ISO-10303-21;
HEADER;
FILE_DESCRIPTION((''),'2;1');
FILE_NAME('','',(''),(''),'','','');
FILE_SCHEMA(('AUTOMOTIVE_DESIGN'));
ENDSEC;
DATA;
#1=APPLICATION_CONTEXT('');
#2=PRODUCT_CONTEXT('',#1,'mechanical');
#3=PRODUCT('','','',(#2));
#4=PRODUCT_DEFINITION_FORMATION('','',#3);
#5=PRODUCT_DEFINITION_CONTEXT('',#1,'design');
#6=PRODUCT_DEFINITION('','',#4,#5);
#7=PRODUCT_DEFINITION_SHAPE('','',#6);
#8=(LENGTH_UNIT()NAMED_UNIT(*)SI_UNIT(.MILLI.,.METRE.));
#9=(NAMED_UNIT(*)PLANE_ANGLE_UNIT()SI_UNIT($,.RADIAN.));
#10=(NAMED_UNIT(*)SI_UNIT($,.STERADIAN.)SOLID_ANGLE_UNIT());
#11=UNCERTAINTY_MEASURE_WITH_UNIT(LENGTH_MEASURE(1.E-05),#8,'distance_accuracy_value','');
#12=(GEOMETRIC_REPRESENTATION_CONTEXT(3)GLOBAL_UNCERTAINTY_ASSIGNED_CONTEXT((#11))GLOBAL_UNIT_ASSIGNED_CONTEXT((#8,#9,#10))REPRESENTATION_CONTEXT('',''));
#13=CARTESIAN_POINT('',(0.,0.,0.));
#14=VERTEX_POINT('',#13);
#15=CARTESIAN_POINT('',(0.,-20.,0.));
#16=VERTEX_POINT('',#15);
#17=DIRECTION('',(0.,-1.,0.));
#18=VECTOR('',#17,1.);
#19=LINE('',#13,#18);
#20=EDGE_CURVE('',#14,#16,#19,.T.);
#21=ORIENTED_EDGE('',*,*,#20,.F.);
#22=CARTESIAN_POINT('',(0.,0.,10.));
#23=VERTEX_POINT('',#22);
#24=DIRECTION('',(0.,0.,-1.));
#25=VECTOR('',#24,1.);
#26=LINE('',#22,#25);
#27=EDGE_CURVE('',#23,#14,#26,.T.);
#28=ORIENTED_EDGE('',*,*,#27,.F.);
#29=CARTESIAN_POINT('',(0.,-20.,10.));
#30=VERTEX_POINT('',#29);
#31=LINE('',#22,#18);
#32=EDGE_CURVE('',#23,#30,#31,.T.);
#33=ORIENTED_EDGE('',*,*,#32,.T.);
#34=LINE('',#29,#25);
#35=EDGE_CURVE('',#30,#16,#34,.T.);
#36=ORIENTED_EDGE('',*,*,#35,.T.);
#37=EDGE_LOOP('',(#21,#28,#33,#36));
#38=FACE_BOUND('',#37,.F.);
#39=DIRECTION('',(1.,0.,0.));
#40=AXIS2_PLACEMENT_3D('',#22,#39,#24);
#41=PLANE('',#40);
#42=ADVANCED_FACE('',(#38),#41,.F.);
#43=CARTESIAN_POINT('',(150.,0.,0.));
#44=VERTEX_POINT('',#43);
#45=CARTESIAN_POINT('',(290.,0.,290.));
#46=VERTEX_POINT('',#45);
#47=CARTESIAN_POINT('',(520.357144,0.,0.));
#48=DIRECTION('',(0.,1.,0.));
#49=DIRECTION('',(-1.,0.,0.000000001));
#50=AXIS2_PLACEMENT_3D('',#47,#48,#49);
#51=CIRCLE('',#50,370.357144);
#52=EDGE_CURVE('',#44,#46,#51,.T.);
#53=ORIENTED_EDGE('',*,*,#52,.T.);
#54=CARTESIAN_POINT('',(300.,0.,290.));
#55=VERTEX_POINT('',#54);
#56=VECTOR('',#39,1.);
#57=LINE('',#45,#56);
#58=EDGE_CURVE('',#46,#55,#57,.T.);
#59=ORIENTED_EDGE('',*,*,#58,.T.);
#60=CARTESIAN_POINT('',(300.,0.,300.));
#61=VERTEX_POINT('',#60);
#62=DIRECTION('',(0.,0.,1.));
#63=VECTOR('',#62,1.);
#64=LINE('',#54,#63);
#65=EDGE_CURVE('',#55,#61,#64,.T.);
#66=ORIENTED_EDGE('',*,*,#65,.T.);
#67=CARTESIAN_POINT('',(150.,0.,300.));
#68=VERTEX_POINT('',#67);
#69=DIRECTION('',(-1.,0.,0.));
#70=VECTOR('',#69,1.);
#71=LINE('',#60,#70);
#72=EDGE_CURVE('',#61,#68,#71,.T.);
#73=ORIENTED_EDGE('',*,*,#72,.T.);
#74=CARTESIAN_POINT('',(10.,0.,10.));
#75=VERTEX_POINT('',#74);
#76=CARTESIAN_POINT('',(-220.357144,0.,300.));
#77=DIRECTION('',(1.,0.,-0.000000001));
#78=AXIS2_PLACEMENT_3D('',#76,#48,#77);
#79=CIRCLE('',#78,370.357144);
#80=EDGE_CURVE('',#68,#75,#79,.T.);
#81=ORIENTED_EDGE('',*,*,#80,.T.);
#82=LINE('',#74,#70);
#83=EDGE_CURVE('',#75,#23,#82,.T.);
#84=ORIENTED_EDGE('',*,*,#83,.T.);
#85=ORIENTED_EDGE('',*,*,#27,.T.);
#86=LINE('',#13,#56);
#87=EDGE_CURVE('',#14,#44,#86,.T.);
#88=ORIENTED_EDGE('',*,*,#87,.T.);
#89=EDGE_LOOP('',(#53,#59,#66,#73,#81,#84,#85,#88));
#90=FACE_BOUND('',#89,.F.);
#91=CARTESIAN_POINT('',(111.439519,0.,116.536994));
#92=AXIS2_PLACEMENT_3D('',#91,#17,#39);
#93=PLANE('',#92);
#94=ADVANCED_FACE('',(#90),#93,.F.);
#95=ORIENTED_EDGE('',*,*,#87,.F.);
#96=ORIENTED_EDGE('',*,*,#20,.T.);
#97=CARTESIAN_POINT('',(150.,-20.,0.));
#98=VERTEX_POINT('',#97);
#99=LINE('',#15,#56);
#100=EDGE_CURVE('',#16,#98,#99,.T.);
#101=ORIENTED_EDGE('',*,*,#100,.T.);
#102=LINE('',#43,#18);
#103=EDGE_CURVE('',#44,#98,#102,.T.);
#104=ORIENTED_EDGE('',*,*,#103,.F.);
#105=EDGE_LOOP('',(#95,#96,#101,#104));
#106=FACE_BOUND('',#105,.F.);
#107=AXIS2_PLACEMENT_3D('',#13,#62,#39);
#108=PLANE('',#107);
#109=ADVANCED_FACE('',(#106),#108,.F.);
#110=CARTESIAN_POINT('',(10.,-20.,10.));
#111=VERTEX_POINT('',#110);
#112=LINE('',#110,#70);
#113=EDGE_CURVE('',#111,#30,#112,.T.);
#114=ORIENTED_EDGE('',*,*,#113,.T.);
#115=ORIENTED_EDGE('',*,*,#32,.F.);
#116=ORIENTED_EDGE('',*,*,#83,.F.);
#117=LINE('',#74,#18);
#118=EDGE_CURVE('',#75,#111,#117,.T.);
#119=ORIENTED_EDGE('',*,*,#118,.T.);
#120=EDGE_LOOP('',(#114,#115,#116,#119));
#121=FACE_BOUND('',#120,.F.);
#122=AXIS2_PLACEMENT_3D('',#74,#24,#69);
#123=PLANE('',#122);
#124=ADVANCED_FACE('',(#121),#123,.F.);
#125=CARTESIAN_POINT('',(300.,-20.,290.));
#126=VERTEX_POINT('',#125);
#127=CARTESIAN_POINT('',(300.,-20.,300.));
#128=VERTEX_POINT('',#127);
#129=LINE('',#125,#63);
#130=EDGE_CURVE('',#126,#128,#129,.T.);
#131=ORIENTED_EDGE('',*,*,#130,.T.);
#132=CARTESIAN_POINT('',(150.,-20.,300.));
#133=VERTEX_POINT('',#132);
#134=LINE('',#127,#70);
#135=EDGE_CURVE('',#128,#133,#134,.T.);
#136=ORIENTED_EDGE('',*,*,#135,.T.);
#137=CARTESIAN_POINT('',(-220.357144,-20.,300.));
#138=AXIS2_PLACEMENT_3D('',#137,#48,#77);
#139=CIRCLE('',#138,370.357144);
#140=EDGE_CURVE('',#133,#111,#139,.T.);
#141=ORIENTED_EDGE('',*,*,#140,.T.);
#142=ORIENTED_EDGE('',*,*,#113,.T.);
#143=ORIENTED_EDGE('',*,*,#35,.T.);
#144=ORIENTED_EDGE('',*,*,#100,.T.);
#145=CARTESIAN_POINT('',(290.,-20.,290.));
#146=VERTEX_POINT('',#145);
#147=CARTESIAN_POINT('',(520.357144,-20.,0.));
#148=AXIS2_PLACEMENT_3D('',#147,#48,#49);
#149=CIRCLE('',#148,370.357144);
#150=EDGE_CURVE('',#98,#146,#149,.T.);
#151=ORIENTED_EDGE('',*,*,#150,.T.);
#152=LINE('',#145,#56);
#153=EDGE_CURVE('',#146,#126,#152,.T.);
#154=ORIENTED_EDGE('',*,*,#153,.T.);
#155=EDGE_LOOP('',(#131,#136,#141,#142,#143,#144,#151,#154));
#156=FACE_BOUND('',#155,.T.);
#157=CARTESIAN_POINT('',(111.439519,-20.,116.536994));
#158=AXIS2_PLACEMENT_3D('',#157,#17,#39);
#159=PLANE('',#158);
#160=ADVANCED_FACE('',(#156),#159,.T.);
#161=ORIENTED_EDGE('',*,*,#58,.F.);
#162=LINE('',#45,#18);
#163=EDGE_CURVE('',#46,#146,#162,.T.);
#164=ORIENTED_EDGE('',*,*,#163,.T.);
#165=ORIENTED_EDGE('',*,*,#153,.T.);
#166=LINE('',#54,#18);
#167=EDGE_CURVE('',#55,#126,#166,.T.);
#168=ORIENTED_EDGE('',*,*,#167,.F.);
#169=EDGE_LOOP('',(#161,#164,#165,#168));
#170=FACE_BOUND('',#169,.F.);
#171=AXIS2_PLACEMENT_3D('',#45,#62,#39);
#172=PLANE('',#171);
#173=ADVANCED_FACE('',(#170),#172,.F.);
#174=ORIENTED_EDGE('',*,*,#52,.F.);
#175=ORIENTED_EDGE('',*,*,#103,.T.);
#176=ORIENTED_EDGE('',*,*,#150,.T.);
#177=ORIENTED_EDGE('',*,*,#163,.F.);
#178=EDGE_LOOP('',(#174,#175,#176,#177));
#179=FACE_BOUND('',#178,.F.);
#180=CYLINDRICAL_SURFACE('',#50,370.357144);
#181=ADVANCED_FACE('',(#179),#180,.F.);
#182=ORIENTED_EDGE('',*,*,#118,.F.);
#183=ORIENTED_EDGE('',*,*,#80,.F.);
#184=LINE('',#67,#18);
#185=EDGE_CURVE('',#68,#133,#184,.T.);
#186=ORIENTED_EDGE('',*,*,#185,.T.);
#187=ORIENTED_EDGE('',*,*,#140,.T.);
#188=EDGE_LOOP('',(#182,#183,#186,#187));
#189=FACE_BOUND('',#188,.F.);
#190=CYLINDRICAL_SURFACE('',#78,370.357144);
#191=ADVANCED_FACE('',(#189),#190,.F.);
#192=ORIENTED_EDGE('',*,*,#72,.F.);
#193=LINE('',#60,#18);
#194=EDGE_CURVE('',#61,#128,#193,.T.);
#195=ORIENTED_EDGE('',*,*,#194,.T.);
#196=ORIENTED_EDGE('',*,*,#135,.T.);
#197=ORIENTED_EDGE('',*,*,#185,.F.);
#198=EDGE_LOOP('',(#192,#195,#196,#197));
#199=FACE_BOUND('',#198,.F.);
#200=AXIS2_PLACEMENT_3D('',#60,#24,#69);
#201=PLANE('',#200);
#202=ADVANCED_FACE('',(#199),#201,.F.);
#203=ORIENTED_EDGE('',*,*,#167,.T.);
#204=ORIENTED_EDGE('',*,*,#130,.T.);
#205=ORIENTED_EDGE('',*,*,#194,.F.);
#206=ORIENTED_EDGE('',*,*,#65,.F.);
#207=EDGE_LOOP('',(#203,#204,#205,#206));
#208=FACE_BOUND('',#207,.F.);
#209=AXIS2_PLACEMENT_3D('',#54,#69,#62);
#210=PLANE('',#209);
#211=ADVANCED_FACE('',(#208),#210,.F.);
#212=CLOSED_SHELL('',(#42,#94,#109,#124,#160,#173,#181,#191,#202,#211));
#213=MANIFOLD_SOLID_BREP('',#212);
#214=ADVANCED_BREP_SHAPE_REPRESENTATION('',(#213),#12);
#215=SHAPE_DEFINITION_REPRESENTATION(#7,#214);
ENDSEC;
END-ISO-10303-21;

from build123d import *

# Parameters (mm, degrees)
F1_DEPTH = 20


with BuildPart() as f1:
    # F0 (on Front) → F1 (new body)
    with BuildSketch(Plane.XZ):
        with BuildLine():
            Line((0, 10), (0, 0))
            Line((0, 0), (150, 0))
            Line((150, 0), (150, 300))
            ThreePointArc((150, 300), (113.168588, 138.987578), (10, 10))
            Line((10, 10), (0, 10))
        make_face()
        with BuildLine():
            Line((150, 300), (150, 0))
            ThreePointArc((150, 0), (186.831412, 161.012422), (290, 290))
            Line((290, 290), (300, 290))
            Line((300, 290), (300, 300))
            Line((300, 300), (150, 300))
        make_face()
    extrude(amount=F1_DEPTH)


solid = f1.part
